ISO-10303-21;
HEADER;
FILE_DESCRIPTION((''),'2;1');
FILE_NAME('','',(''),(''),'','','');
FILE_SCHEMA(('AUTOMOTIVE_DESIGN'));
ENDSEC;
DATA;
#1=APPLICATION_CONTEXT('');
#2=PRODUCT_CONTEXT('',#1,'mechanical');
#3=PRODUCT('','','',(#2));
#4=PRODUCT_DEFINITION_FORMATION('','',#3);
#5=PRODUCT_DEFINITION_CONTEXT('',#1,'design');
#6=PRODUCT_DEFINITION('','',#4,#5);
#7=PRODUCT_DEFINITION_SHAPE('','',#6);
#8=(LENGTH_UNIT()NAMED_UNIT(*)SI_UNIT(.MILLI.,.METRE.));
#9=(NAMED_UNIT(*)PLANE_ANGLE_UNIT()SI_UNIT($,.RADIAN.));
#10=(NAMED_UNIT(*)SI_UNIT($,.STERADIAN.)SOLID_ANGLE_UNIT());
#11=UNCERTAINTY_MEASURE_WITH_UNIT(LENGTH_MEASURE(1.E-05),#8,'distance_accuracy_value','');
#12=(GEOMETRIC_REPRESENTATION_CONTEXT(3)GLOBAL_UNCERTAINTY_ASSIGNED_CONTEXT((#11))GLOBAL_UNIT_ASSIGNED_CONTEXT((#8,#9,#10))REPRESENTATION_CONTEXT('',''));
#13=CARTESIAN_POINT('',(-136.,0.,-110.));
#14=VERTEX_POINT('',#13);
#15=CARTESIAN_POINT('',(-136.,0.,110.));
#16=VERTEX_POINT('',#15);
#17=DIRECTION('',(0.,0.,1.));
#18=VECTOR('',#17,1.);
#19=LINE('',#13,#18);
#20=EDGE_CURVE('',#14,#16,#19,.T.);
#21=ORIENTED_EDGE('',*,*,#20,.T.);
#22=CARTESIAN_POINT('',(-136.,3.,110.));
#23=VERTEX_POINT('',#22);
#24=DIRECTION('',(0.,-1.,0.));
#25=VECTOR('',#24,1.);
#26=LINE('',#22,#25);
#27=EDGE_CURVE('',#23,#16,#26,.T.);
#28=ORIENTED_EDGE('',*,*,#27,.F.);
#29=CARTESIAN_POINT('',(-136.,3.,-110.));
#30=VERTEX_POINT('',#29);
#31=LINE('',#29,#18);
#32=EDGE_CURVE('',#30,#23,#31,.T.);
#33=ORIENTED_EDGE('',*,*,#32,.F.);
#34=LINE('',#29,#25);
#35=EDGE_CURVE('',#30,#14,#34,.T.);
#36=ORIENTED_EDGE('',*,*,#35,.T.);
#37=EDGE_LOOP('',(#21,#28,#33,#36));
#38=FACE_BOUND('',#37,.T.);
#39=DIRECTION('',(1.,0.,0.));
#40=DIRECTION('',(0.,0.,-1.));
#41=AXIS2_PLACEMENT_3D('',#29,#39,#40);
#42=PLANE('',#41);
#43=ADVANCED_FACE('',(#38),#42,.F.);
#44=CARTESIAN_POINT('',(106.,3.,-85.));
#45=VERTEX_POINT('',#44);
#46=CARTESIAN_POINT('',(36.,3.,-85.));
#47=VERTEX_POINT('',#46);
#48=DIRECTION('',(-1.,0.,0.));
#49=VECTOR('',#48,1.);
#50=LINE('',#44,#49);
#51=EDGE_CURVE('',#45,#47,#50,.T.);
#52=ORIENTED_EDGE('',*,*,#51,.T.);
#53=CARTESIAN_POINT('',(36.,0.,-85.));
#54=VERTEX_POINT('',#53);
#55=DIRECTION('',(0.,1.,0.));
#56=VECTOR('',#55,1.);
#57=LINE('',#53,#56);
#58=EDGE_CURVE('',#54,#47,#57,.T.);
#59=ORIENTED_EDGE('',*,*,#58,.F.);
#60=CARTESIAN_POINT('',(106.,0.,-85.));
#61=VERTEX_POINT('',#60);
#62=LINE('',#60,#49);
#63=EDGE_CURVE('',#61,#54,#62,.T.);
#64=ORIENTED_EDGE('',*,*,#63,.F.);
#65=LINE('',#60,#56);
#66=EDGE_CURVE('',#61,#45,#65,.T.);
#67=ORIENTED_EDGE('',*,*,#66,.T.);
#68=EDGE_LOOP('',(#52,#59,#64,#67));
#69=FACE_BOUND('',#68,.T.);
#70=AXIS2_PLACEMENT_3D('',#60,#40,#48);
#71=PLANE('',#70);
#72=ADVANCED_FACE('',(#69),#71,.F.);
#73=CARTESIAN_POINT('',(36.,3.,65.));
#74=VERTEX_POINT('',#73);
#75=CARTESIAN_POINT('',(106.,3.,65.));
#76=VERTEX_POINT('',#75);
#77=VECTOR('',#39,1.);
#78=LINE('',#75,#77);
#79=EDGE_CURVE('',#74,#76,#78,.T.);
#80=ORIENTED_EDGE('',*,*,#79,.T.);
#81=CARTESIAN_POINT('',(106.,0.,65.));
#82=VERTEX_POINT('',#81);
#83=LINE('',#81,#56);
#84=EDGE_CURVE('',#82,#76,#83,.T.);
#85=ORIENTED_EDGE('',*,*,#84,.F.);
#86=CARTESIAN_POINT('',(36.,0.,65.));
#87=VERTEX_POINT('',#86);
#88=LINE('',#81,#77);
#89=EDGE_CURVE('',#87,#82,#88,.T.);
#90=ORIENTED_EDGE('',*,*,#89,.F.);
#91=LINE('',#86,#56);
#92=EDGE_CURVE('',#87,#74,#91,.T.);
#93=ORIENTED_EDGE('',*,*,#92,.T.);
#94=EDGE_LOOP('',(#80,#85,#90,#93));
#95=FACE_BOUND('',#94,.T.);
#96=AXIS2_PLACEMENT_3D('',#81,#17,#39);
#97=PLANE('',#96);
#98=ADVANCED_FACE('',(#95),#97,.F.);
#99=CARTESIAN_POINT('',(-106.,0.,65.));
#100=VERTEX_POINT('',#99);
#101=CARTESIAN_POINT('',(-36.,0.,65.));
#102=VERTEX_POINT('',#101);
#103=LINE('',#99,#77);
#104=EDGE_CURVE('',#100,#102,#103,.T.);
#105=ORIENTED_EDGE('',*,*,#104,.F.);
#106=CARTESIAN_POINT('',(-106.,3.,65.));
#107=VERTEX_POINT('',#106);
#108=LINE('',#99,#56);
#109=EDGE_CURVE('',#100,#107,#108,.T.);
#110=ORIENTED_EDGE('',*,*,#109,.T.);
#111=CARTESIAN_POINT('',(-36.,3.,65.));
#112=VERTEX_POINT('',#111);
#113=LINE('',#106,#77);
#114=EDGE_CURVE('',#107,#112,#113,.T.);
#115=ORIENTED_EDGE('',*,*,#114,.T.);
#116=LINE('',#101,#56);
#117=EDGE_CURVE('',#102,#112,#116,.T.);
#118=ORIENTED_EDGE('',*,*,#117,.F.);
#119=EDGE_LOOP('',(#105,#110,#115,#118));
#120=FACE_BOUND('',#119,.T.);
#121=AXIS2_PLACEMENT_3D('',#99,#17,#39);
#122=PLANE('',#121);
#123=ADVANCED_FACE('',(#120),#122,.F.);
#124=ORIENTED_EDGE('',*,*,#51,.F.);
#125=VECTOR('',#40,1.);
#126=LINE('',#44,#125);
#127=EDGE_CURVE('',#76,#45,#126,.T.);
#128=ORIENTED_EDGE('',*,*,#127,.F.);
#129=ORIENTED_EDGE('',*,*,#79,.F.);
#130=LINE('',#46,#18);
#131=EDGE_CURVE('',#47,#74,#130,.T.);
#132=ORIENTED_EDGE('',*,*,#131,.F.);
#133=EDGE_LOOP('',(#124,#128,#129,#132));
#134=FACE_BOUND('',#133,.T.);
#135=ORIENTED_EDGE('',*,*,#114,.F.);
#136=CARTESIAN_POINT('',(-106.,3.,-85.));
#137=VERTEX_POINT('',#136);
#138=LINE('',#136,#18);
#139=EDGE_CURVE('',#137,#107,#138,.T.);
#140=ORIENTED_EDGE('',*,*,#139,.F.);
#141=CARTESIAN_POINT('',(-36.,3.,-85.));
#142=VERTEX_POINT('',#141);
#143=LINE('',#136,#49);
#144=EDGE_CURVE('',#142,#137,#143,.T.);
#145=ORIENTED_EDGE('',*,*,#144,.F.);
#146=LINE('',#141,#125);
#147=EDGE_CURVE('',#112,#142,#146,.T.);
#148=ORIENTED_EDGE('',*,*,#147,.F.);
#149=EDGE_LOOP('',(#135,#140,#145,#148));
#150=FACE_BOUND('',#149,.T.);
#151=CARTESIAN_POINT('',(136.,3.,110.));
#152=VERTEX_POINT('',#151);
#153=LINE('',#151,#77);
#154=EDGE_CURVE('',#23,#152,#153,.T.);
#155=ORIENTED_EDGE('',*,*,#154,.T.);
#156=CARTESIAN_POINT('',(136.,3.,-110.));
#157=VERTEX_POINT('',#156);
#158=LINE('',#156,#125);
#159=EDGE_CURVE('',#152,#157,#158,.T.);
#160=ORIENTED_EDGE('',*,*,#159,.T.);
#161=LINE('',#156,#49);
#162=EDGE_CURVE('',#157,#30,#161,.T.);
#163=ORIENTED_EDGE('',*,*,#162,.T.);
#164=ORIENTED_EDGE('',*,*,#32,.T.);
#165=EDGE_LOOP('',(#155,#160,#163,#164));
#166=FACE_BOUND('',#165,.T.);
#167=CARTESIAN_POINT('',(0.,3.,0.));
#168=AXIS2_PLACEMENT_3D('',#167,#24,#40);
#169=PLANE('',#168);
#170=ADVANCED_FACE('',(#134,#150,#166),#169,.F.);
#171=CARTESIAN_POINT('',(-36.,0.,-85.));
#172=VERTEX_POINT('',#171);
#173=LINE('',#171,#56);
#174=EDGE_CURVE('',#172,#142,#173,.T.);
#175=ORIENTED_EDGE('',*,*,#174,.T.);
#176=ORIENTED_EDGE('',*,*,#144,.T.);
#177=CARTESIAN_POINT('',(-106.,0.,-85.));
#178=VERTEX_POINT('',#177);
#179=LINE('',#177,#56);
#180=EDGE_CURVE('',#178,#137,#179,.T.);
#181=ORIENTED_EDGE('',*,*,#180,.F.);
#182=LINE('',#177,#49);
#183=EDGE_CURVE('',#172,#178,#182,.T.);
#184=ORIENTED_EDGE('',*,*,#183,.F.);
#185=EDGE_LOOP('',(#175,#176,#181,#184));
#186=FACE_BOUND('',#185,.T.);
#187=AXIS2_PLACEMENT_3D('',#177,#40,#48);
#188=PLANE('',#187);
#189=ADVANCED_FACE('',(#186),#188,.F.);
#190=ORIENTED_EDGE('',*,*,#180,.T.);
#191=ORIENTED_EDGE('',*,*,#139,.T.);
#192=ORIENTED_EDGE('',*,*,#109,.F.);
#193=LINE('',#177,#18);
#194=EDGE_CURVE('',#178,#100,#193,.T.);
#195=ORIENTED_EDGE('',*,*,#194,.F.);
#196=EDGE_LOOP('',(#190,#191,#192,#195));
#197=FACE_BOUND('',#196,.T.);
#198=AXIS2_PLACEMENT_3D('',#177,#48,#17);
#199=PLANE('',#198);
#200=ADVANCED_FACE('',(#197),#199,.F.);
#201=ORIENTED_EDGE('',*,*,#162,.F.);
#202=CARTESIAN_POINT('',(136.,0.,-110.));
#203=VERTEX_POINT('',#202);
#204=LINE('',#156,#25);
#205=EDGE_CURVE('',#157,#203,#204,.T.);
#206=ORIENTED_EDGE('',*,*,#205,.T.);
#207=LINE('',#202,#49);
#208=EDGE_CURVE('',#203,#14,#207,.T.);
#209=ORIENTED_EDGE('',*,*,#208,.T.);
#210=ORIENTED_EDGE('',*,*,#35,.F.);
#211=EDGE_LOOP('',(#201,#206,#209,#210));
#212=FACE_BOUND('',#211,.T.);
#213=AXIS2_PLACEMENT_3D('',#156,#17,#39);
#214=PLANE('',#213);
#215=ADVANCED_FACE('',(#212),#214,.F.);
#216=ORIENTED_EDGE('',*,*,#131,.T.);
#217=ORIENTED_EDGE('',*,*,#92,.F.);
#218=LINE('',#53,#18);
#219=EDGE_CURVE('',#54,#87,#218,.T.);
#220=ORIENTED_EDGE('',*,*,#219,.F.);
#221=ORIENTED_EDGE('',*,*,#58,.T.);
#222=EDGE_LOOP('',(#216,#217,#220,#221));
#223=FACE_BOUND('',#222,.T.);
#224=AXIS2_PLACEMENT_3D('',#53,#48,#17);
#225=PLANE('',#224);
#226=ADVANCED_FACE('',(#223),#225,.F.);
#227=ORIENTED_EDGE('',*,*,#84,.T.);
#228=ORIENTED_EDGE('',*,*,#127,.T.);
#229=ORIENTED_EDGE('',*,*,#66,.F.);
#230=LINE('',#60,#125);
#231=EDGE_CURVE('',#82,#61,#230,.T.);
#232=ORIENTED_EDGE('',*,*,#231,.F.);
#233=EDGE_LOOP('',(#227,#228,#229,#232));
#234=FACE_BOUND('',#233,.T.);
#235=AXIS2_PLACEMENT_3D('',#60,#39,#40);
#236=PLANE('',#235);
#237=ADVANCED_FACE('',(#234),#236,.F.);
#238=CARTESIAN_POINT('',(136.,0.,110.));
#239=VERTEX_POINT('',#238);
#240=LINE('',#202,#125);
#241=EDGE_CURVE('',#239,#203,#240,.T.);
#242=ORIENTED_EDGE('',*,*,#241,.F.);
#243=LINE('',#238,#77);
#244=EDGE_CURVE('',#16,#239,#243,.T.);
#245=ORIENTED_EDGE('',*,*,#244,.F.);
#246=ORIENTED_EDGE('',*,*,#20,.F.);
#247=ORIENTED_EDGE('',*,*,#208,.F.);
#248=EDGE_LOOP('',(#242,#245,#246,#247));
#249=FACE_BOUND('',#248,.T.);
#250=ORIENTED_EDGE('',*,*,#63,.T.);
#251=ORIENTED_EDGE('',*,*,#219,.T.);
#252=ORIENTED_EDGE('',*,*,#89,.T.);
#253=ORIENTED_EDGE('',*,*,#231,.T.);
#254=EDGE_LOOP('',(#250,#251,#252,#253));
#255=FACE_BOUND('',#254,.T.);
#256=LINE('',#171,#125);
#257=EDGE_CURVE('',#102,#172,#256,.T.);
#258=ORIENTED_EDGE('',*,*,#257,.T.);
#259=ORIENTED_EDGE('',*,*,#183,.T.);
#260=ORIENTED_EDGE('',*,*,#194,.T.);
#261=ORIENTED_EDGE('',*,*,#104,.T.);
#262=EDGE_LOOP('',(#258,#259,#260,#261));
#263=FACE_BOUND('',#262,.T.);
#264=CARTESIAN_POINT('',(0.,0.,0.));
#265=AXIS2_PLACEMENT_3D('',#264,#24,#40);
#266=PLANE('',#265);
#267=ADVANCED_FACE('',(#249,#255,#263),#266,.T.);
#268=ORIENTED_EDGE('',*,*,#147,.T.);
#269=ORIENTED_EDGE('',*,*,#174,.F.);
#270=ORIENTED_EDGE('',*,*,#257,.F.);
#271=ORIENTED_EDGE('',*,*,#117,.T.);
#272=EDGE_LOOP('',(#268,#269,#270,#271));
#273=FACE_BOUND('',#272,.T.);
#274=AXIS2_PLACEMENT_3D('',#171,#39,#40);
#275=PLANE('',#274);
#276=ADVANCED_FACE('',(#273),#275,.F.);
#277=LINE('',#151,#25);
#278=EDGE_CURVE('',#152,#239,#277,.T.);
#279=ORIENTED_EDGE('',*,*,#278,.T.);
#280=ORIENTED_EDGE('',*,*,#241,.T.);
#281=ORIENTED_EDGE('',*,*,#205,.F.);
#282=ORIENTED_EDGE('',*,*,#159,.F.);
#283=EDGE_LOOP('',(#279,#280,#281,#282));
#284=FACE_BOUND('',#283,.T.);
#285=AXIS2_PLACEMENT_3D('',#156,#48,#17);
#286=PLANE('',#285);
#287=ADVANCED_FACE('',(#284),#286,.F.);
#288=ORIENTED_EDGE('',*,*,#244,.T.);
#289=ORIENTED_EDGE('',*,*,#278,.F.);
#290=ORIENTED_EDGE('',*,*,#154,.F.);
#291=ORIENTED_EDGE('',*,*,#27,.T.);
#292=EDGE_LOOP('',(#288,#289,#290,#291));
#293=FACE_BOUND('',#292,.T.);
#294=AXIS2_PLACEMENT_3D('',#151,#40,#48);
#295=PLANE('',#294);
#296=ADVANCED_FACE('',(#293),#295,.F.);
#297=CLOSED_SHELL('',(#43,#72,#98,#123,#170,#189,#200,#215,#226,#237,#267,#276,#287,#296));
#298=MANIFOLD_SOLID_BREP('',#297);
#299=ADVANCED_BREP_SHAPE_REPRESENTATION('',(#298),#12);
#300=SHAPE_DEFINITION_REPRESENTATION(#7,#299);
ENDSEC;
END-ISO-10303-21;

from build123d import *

# Parameters (mm, degrees)
SKETCH1_W           = 272
SKETCH1_H           = 220
BOSS_EXTRUDE1_DEPTH = 3
SKETCH2_W           = 70
SKETCH2_H           = 150
CUT_EXTRUDE1_DEPTH  = 175.94284781


with BuildPart() as part:
    # Sketch1 → Boss-Extrude1 (new body)
    with BuildSketch(Plane(origin=(0, 0, 0), x_dir=(1, 0, 0), z_dir=(0, 1, 0))):
        Rectangle(SKETCH1_W, SKETCH1_H)
    extrude(amount=BOSS_EXTRUDE1_DEPTH)

    # Sketch2 → Cut-Extrude1 (cut, through all)
    with BuildSketch(Plane(origin=(0, 3, 0), x_dir=(1, 0, 0), z_dir=(0, 1, 0))):
        with Locations((-71, 10)):
            Rectangle(SKETCH2_W, SKETCH2_H)
        with Locations((71, 10)):
            Rectangle(SKETCH2_W, SKETCH2_H)
    extrude(amount=-CUT_EXTRUDE1_DEPTH, mode=Mode.SUBTRACT)


solid = part.part
